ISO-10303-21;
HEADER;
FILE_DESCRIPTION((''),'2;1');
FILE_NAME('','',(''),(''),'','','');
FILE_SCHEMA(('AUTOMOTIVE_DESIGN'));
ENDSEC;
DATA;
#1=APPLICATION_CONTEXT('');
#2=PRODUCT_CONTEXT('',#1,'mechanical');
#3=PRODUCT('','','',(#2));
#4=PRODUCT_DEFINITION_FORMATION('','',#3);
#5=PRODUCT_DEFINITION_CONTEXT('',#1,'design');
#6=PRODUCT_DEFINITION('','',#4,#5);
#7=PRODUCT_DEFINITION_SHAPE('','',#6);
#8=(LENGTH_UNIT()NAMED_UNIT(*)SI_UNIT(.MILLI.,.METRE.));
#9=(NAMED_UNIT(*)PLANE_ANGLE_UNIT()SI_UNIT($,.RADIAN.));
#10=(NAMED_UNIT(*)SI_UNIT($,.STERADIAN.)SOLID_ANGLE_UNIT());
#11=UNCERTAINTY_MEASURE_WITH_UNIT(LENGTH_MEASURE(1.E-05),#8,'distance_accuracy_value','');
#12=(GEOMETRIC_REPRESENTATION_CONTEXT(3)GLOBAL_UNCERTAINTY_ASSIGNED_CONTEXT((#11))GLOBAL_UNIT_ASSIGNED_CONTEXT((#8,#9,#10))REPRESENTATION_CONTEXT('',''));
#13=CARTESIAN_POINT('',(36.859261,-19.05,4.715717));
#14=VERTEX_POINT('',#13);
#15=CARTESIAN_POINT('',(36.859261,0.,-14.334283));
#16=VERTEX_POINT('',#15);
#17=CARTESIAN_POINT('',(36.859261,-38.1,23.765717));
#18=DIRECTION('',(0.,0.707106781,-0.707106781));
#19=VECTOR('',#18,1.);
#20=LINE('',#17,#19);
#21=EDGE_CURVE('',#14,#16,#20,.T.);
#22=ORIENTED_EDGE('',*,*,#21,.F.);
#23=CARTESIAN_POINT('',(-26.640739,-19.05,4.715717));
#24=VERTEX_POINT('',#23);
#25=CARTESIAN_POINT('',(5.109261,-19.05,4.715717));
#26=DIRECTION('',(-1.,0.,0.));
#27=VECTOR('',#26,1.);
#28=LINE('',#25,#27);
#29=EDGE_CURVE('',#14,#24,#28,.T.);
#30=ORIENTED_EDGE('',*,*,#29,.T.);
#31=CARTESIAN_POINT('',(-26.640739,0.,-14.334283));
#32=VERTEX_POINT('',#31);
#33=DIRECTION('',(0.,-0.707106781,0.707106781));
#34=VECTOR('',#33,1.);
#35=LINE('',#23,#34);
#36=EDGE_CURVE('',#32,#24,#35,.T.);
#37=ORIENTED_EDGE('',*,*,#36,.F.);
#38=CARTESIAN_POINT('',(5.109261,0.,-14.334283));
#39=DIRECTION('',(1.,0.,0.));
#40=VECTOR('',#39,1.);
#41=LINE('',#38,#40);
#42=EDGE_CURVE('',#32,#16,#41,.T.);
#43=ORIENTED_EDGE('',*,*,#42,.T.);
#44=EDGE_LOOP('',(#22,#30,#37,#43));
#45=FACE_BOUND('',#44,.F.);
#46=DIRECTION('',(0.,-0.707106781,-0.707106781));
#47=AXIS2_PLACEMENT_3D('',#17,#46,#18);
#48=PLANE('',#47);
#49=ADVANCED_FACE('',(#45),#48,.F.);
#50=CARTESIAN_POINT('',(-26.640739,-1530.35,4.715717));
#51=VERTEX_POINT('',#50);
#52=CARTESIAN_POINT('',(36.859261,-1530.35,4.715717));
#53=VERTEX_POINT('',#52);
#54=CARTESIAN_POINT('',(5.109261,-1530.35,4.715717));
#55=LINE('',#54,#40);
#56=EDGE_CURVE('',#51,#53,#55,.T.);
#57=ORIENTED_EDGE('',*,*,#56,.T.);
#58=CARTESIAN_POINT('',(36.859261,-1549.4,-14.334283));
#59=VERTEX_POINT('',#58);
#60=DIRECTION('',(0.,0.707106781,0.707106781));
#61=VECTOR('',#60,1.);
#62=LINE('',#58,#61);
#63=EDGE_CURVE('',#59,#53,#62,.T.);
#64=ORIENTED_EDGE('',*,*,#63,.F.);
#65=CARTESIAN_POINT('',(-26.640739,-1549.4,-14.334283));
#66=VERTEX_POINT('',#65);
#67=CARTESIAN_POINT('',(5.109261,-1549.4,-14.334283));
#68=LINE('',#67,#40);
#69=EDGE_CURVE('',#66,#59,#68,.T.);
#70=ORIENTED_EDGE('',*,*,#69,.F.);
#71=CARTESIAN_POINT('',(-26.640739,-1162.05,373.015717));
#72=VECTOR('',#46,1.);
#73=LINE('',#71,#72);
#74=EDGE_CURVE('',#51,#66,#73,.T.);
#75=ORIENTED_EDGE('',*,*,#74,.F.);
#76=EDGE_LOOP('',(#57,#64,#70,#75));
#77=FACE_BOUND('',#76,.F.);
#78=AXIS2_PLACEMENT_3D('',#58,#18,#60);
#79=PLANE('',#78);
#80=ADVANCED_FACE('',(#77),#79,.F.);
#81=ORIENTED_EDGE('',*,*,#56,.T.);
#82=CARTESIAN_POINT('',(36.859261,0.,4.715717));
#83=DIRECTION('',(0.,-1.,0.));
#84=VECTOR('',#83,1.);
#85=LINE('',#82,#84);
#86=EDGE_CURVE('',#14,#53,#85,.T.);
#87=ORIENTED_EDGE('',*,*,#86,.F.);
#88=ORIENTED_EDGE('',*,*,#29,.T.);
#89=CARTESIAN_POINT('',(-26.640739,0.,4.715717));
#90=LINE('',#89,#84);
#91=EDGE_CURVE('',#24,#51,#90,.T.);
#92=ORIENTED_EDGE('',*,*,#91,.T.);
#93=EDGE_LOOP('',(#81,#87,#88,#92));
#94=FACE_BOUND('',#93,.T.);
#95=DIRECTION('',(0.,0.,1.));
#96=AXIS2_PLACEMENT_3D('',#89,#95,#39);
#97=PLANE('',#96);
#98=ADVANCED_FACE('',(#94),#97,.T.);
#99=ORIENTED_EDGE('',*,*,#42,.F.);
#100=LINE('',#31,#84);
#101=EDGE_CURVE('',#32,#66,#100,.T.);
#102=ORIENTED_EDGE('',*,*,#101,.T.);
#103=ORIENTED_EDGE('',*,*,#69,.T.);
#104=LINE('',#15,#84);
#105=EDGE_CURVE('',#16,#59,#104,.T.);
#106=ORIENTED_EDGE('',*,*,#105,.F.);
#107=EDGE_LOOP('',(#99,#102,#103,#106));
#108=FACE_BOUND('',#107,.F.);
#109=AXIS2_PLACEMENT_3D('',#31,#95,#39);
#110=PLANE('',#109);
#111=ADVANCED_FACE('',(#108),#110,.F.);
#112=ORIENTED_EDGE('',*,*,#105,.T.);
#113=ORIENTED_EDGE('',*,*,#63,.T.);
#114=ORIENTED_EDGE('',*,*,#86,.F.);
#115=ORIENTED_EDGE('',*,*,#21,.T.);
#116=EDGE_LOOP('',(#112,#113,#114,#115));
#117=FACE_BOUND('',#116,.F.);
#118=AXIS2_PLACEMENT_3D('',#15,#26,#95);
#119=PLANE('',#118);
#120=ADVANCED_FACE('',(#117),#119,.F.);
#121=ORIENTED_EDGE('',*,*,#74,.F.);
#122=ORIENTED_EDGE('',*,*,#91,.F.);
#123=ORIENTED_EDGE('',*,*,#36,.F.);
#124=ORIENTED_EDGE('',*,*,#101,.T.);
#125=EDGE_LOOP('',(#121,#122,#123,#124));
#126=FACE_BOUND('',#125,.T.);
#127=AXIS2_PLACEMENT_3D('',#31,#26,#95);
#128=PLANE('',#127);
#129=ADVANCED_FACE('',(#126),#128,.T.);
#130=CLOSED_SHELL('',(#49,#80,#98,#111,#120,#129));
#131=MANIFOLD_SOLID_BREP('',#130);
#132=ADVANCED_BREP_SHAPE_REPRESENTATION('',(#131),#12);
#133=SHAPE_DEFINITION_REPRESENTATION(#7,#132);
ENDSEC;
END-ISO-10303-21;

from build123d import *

# Parameters (mm, degrees)
F0_W     = 63.5
F0_H     = 38.1
F1_DEPTH = 1549.4
F3_DEPTH = 76.2
F4_W     = 63.5
F4_H     = 19.05
F5_DEPTH = 1549.401


with BuildPart() as f1:
    # F0 (on Front) → F1 (new body)
    with BuildSketch(Plane.XZ):
        with Locations((5.109261, 4.715717)):
            Rectangle(F0_W, F0_H)
    extrude(amount=F1_DEPTH)

    # F2 (on face) → F3 (cut)
    with BuildSketch(Plane.YZ.offset(36.859261)):
        Polygon((-1549.4, 23.765717), (-1549.4, -14.334283), (-1511.3, 23.765717), align=None)
        Polygon((-38.1, 23.765717), (0, -14.334283), (0, 23.765717), align=None)
    extrude(amount=-F3_DEPTH, mode=Mode.SUBTRACT)

    # F4 (on Front) → F5 (cut, through all)
    with BuildSketch(Plane.XZ):
        with Locations((5.109261, 14.240717)):
            Rectangle(F4_W, F4_H)
    extrude(amount=F5_DEPTH, mode=Mode.SUBTRACT)


solid = f1.part
